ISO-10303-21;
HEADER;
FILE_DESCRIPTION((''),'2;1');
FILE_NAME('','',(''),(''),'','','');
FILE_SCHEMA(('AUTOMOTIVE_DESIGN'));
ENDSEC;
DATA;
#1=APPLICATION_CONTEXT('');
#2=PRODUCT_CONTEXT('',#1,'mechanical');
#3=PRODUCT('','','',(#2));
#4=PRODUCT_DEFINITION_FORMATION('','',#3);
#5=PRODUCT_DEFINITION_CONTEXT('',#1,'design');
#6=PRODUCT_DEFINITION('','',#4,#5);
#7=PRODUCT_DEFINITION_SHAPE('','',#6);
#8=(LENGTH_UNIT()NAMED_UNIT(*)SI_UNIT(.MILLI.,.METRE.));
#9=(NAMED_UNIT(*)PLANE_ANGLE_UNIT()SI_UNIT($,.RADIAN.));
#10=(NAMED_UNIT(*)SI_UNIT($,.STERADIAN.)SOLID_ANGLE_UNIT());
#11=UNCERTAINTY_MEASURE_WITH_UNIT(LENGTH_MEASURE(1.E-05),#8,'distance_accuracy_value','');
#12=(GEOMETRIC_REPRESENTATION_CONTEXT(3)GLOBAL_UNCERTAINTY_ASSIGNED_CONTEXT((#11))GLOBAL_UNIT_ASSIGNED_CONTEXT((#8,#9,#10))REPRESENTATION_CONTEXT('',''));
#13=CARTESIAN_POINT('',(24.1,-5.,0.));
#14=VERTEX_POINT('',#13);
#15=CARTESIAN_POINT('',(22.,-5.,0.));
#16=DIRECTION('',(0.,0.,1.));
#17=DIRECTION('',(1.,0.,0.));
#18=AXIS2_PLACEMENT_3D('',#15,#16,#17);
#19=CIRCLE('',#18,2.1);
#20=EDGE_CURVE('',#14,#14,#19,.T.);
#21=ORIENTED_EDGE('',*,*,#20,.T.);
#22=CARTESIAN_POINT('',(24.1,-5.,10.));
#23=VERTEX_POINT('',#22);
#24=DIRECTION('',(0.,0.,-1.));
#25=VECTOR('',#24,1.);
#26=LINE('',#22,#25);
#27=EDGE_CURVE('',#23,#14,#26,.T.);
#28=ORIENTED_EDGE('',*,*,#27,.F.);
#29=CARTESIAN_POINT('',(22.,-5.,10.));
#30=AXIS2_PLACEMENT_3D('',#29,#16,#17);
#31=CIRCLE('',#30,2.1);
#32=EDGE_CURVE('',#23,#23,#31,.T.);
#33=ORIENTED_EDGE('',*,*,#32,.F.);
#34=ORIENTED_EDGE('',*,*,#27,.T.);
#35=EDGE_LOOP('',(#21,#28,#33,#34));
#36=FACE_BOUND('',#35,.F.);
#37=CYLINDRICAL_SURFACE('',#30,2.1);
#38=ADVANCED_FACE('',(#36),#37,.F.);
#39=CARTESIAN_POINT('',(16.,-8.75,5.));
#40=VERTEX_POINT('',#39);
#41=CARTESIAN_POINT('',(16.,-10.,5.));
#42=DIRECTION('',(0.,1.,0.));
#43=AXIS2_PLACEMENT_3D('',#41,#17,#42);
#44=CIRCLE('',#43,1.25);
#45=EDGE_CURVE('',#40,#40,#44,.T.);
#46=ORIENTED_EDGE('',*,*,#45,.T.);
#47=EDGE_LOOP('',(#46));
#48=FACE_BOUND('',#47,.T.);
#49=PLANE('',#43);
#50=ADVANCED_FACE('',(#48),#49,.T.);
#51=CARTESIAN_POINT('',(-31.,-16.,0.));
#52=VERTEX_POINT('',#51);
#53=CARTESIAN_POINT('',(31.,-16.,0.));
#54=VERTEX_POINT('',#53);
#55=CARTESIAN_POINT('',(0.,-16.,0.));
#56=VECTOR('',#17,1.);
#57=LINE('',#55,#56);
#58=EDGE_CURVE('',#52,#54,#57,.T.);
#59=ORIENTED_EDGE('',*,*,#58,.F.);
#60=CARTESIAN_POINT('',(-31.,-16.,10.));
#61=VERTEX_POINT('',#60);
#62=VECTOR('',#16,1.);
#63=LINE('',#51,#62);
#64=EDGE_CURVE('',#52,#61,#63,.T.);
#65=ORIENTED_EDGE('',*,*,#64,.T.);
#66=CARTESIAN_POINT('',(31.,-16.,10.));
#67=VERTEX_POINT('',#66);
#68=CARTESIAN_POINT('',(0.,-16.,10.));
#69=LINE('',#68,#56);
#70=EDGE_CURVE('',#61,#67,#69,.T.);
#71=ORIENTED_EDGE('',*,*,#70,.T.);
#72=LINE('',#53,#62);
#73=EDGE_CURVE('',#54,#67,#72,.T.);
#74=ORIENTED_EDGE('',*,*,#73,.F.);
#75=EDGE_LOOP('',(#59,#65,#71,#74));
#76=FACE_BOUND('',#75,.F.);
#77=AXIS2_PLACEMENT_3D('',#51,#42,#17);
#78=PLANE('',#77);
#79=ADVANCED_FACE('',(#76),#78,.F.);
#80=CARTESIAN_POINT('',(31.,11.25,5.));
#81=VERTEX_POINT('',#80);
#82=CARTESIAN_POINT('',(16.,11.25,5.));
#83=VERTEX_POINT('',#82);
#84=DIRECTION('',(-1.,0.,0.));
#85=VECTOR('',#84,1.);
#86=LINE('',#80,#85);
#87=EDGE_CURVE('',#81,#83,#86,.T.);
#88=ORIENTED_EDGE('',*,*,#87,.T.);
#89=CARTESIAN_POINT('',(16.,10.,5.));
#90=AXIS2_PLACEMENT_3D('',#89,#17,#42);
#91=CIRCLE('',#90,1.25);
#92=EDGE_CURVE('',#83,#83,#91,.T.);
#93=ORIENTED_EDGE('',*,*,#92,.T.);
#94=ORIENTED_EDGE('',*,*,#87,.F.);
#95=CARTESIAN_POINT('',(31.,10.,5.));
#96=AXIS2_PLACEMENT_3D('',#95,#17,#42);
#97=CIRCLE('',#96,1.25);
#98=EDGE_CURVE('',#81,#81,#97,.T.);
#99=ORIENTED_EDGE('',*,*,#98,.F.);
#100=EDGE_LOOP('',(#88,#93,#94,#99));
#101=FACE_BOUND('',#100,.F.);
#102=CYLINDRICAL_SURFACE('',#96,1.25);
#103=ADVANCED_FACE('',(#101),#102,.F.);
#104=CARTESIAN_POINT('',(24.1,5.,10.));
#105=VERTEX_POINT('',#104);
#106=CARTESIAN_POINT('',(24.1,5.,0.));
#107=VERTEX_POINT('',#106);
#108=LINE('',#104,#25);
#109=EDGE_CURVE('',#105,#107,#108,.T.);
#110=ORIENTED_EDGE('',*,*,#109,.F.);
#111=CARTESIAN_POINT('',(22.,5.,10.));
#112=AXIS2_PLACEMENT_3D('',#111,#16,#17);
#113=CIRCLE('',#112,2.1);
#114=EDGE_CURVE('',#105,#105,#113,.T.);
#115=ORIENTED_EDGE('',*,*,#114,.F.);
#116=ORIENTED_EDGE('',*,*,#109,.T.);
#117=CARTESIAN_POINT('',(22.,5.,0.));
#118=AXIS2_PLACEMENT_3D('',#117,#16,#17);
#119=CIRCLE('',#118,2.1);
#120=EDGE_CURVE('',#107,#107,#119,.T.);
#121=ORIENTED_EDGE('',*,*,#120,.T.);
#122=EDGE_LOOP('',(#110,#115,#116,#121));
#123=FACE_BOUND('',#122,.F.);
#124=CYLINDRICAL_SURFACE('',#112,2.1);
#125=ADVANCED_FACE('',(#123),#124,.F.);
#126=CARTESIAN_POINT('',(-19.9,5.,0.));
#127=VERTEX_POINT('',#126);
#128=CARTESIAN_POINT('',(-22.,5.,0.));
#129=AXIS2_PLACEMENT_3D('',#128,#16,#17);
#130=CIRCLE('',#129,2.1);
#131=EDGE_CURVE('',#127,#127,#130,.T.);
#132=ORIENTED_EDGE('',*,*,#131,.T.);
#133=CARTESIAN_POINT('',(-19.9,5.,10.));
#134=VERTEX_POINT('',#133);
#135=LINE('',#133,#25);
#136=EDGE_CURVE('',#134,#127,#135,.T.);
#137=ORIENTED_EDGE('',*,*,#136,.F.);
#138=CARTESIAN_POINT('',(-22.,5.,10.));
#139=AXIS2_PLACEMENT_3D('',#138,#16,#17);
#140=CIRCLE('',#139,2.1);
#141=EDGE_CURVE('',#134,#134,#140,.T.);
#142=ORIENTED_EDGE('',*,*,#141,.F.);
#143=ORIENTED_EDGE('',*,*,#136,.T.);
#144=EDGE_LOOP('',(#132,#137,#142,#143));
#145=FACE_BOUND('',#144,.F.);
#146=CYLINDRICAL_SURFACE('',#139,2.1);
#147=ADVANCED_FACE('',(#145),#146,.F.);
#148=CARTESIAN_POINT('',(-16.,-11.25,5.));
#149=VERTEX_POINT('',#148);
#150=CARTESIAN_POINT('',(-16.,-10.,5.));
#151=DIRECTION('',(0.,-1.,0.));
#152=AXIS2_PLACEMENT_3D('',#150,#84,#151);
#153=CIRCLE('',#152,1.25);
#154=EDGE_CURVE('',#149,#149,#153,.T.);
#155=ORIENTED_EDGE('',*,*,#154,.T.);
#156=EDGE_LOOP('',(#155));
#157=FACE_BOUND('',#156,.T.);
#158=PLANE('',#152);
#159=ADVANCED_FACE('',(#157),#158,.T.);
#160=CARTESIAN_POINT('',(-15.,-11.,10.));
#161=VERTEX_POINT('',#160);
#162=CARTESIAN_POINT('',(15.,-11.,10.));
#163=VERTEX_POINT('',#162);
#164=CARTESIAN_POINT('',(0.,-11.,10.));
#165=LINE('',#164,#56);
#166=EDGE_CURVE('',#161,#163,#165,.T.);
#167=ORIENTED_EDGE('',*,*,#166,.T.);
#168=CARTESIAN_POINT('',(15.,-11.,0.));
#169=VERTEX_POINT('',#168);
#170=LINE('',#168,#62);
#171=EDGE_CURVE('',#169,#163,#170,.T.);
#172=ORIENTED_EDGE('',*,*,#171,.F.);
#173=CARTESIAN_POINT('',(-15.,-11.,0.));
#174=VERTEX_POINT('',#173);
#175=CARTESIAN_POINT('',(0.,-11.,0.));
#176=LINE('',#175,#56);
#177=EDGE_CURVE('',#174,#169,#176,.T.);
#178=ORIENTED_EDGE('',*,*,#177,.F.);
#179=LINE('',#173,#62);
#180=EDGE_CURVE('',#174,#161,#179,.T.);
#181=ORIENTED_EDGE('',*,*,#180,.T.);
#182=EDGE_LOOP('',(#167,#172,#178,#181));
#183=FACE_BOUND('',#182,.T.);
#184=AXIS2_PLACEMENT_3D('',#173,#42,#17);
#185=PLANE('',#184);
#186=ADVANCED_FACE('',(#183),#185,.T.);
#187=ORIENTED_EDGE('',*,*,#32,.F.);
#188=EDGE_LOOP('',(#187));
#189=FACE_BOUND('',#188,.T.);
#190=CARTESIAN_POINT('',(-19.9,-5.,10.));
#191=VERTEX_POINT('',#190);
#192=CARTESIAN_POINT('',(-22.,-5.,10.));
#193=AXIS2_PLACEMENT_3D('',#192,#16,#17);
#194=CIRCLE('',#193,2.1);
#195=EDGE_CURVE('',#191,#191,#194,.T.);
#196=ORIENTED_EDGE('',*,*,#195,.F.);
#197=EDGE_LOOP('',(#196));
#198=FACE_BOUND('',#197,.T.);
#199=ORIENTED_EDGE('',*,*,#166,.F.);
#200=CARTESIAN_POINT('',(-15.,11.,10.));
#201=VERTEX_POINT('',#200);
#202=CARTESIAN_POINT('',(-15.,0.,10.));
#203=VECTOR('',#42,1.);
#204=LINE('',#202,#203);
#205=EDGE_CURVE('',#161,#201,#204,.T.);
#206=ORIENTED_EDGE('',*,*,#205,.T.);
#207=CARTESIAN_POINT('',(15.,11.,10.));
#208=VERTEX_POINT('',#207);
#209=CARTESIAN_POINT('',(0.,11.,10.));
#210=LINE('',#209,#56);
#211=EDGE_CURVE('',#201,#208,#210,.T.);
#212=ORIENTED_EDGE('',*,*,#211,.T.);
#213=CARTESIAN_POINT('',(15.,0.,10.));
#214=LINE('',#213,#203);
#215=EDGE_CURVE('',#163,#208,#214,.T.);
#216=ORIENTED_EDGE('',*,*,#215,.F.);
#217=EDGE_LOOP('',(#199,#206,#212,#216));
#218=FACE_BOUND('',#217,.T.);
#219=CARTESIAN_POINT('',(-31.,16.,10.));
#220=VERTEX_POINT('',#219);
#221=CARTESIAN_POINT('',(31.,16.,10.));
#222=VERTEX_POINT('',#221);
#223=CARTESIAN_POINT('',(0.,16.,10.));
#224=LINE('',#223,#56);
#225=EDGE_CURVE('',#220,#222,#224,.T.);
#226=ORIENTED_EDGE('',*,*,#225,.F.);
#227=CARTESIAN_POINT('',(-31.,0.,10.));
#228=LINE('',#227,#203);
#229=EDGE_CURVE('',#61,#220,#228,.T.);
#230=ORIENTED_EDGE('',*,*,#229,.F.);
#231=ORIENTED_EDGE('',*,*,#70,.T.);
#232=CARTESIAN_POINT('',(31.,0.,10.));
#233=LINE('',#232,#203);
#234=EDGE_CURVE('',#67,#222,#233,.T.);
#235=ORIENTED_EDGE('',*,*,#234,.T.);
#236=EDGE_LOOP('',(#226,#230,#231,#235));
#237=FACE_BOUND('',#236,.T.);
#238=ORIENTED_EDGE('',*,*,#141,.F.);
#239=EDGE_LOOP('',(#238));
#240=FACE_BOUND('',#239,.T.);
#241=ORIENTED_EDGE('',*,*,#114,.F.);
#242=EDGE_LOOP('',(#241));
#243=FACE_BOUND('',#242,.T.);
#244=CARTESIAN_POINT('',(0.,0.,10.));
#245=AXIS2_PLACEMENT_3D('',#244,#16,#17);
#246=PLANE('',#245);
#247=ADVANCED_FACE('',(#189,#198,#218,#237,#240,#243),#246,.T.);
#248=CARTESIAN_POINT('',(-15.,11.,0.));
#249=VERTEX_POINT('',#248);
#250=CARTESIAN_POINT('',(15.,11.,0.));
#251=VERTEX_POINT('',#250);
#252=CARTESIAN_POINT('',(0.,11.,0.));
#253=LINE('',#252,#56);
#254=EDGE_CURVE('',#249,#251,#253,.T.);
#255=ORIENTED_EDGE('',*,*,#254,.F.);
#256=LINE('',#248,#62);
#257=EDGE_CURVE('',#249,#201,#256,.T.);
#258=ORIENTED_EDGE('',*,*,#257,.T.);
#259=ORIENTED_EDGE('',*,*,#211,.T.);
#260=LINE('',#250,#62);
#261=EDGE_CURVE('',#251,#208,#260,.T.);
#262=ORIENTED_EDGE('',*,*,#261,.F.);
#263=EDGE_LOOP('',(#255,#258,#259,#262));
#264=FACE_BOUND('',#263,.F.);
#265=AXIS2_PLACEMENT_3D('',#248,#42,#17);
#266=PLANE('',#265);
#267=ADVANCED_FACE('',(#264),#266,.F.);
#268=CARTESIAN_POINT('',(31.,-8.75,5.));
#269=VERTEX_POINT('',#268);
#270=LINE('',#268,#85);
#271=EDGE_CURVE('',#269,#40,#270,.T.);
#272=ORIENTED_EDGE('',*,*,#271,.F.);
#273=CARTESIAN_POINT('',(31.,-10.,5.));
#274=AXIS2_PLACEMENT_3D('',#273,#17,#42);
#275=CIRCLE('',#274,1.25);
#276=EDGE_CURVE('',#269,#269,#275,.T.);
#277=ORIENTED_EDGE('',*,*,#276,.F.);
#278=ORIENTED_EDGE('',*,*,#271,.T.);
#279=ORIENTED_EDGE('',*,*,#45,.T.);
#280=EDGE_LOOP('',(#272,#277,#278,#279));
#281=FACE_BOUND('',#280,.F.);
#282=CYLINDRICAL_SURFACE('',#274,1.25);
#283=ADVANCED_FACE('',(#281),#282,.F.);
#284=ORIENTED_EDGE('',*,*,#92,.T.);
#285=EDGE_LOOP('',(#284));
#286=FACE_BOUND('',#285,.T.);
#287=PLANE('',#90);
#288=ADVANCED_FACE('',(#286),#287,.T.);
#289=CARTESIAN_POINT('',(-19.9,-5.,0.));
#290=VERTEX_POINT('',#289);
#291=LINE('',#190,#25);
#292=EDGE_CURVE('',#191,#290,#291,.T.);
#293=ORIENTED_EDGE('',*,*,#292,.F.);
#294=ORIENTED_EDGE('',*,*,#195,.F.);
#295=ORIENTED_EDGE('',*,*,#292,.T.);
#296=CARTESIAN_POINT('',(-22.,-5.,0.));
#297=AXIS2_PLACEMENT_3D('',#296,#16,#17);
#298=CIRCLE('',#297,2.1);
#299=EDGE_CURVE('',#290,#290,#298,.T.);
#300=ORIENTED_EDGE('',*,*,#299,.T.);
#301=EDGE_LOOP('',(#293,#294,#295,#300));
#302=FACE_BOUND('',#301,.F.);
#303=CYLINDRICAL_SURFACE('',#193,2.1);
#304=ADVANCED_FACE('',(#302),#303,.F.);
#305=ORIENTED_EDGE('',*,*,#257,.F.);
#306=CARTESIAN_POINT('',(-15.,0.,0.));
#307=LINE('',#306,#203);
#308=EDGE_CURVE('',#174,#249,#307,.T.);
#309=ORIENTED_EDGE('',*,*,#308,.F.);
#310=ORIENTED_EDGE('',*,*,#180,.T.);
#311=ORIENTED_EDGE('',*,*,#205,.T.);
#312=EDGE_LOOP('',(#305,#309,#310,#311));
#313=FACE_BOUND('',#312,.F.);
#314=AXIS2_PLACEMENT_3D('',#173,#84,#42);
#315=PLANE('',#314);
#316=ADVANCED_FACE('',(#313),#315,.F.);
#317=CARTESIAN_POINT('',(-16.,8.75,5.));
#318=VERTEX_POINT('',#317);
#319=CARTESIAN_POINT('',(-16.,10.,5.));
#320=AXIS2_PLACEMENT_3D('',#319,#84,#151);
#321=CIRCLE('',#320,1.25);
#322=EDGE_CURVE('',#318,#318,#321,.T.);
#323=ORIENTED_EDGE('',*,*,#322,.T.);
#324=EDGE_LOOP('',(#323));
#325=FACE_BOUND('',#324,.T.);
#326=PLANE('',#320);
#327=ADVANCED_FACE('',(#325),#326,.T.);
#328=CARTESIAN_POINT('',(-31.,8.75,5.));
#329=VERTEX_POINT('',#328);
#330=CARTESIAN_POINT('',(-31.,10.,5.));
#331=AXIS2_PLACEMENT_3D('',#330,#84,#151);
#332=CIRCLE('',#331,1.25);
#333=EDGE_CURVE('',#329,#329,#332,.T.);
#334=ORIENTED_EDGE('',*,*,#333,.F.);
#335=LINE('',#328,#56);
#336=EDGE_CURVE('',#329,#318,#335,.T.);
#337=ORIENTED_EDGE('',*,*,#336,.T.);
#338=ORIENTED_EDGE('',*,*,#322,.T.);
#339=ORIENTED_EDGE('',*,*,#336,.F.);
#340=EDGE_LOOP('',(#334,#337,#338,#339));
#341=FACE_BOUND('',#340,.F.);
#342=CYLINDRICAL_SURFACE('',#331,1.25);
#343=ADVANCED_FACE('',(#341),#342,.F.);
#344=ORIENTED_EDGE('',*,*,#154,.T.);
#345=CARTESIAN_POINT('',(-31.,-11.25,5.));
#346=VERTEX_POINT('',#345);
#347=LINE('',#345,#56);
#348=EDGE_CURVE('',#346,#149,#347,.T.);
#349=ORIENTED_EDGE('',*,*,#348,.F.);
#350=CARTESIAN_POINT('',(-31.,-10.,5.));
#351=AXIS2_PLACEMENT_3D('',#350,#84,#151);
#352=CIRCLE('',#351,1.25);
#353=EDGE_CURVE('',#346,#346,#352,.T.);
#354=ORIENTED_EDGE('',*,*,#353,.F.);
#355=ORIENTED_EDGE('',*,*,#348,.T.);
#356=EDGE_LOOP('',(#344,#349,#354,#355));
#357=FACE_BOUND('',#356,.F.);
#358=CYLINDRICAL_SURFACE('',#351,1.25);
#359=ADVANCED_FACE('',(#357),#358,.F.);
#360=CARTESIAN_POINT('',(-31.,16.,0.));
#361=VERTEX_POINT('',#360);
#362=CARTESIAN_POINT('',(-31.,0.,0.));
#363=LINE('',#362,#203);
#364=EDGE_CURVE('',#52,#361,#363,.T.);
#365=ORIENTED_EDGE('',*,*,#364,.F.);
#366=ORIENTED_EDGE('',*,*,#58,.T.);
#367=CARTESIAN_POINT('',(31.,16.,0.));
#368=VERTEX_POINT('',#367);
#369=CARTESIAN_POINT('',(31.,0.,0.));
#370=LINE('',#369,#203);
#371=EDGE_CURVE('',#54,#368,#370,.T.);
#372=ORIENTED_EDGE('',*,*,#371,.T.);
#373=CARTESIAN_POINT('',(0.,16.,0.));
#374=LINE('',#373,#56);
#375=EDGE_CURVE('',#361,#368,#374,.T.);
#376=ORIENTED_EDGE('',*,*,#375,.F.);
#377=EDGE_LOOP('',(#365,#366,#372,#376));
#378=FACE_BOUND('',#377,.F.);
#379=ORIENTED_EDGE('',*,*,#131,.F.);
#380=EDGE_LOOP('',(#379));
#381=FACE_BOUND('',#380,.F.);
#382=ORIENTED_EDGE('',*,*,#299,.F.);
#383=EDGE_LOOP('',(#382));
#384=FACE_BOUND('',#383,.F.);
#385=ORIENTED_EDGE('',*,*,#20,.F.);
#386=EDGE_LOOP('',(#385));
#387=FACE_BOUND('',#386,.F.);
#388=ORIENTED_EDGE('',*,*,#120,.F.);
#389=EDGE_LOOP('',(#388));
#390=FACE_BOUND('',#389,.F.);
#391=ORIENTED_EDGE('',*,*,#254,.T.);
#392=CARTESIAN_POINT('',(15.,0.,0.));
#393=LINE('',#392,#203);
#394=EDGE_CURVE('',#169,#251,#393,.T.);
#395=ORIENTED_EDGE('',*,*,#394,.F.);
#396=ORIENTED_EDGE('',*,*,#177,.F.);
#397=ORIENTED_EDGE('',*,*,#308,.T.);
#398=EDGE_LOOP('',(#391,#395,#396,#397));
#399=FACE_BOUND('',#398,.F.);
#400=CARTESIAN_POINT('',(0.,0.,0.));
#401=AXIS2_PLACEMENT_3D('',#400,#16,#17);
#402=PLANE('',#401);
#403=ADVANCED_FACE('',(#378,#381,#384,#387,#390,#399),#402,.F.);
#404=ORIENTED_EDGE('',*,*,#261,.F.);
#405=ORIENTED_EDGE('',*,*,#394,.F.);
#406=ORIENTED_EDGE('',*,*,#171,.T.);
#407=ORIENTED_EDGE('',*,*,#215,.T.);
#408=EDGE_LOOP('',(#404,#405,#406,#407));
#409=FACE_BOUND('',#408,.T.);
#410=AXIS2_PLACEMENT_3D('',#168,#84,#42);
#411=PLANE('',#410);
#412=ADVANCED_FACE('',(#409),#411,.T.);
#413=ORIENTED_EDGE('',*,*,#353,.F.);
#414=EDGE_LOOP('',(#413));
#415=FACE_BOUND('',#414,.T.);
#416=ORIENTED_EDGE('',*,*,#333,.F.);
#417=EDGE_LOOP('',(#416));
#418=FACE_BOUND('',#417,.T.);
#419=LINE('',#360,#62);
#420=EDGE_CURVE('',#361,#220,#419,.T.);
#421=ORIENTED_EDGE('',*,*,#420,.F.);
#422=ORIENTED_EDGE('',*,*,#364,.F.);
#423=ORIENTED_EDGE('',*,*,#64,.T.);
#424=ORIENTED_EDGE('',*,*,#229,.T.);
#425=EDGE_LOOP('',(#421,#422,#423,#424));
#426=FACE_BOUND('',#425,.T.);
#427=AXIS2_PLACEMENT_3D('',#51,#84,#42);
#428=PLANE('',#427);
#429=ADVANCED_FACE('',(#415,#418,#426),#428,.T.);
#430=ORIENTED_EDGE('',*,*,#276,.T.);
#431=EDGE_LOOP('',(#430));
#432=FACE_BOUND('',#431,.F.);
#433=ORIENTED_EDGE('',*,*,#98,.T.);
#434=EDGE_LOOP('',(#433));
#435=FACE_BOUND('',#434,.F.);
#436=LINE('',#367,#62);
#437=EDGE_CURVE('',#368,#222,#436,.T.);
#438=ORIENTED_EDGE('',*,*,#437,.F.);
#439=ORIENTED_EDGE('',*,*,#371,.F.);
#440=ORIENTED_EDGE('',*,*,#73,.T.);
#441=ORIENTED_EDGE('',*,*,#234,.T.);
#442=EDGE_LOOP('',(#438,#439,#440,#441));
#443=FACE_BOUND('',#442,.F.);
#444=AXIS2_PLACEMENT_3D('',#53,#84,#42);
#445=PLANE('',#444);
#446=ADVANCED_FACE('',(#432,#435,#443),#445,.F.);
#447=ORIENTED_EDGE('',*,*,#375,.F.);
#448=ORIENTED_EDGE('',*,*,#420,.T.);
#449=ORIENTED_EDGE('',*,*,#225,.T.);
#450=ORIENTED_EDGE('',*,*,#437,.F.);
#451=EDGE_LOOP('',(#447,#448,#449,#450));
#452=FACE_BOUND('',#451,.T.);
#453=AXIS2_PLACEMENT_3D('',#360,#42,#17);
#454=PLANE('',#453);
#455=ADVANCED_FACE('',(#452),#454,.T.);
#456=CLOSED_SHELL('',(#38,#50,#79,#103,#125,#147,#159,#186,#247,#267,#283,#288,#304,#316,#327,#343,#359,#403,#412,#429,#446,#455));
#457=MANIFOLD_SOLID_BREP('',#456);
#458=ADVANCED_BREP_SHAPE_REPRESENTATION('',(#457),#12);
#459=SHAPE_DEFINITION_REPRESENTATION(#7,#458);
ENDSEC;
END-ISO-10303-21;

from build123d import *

# Parameters (mm, degrees)
F0_W     = 62
F0_H     = 32
F0_W_2   = 30
F0_H_2   = 22
F1_DEPTH = 10
F2_R     = 2.1
F3_DEPTH = 10.001
F4_R     = 1.25
F5_DEPTH = 15
F6_R     = 1.25
F7_DEPTH = 15


with BuildPart() as f1:
    # F0 (on Top) → F1 (new body)
    with BuildSketch(Plane.XY):
        Rectangle(F0_W, F0_H)
        Rectangle(F0_W_2, F0_H_2, mode=Mode.SUBTRACT)
    extrude(amount=F1_DEPTH)

    # F2 (on face) → F3 (cut, through all)
    with BuildSketch(Plane.XY.offset(10)):
        with Locations((-22, 5)):
            Circle(F2_R)
        with Locations((-22, -5)):
            Circle(F2_R)
        with Locations((22, 5)):
            Circle(F2_R)
        with Locations((22, -5)):
            Circle(F2_R)
    extrude(amount=-F3_DEPTH, mode=Mode.SUBTRACT)

    # F4 (on face) → F5 (cut)
    with BuildSketch(Plane(origin=(-31, 0, 0), x_dir=(0, -1, 0), z_dir=(-1, 0, 0))):
        with Locations((10, 5)):
            Circle(F4_R)
        with Locations((-10, 5)):
            Circle(F4_R)
    extrude(amount=-F5_DEPTH, mode=Mode.SUBTRACT)

    # F6 (on face) → F7 (cut)
    with BuildSketch(Plane.YZ.offset(31)):
        with Locations((-10, 5)):
            Circle(F6_R)
        with Locations((10, 5)):
            Circle(F6_R)
    extrude(amount=-F7_DEPTH, mode=Mode.SUBTRACT)


solid = f1.part
